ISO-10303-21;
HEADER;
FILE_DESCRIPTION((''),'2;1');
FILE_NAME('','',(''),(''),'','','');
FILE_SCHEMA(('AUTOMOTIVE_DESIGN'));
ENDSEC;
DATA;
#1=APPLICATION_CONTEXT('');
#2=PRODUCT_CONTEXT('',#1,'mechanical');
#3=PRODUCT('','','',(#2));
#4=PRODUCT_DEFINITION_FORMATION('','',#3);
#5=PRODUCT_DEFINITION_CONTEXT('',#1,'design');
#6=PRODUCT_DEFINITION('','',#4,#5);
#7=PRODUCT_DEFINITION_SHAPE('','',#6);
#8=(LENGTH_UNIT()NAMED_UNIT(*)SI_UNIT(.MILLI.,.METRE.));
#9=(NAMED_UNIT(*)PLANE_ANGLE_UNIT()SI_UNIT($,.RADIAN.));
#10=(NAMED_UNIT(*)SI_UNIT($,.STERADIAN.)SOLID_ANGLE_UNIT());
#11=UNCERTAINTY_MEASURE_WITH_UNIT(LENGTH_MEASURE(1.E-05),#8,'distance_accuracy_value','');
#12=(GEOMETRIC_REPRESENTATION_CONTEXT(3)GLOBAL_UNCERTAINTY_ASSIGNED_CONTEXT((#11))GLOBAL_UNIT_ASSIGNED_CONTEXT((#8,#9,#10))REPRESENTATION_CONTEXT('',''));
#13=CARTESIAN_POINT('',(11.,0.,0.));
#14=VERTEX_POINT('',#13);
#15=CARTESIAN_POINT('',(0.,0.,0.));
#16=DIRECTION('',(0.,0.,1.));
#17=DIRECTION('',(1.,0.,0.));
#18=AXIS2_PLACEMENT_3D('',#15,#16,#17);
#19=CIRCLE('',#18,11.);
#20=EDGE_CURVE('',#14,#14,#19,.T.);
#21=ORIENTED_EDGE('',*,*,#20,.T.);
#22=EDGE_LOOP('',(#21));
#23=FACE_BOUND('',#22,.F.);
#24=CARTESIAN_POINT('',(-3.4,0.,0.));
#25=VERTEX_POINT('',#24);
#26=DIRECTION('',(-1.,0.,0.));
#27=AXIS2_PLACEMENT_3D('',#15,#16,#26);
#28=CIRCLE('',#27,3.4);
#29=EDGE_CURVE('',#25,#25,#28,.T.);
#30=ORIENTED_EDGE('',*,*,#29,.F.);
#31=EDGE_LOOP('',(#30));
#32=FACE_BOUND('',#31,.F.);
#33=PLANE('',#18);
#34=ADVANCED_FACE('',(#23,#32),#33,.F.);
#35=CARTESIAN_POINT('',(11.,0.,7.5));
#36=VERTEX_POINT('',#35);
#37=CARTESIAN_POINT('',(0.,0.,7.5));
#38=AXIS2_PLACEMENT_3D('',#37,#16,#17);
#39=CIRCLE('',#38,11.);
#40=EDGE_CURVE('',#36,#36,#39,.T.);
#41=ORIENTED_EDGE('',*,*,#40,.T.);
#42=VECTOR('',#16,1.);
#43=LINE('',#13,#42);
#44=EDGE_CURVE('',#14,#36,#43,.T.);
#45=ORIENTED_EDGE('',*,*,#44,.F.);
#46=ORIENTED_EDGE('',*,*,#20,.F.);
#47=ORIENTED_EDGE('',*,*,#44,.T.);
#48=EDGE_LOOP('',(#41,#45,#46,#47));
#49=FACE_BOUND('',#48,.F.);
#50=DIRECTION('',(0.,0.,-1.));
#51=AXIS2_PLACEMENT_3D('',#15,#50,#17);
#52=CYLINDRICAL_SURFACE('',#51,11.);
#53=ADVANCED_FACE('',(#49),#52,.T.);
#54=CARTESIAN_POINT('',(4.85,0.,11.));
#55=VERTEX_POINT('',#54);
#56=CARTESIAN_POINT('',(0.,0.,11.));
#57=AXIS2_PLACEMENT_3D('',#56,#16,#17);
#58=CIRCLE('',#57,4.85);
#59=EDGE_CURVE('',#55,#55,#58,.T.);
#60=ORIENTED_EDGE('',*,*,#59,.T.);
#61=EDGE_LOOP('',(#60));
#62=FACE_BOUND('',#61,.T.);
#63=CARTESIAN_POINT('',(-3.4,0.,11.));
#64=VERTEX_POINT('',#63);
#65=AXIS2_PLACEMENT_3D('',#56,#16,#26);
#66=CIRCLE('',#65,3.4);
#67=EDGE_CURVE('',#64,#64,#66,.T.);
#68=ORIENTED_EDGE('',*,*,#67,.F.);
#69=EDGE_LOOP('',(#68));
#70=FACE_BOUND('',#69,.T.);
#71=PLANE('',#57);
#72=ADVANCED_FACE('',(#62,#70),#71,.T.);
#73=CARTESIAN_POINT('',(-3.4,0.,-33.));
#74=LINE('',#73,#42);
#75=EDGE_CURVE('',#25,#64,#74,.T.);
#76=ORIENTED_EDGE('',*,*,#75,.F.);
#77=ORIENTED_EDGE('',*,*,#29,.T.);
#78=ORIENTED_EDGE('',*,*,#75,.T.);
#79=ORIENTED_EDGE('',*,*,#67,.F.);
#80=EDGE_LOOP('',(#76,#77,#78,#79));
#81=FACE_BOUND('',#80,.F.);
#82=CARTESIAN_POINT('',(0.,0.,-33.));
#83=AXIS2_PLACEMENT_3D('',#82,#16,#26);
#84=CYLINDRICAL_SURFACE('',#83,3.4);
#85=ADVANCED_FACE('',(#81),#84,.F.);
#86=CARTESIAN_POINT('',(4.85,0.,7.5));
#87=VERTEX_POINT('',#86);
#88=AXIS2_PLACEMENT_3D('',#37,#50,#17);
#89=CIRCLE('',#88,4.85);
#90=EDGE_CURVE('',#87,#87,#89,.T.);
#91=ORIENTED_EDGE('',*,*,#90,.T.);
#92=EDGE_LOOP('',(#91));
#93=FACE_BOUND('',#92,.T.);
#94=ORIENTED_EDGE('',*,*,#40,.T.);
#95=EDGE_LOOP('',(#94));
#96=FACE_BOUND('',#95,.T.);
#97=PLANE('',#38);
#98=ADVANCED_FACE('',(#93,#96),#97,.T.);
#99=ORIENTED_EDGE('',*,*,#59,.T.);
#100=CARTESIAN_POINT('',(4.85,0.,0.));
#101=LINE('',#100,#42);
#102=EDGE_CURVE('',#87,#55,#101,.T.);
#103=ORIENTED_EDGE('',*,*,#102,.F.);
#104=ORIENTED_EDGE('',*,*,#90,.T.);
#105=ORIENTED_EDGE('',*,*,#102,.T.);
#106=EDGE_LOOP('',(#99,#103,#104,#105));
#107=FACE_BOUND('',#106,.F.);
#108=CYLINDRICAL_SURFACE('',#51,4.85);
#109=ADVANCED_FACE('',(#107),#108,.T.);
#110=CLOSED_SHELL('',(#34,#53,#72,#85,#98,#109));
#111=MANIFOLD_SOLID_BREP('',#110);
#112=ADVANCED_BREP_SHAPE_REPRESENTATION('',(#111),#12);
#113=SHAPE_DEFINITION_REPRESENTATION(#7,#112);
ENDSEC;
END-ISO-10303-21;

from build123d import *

# Parameters (mm, degrees)
F0_R     = 11
F0_R_2   = 4.85
F1_DEPTH = 7.5
F2_DEPTH = 11
F3_D     = 6.8


with BuildPart() as f1:
    # F0 (on Top) → F1 (new body)
    with BuildSketch(Plane.XY):
        Circle(F0_R)
        Circle(F0_R_2, mode=Mode.SUBTRACT)
        Circle(F0_R_2)
    extrude(amount=F1_DEPTH)

    # F0 (on Top) → F2 (join)
    with BuildSketch(Plane.XY):
        Circle(F0_R_2)
    extrude(amount=F2_DEPTH)

    # F3 (through all)
    with Locations(Plane(origin=(0, 0, 0), x_dir=(1, 0, 0), z_dir=(0, 0, -1))):
        with Locations((0, 0)):
            Hole(F3_D / 2)


solid = f1.part
